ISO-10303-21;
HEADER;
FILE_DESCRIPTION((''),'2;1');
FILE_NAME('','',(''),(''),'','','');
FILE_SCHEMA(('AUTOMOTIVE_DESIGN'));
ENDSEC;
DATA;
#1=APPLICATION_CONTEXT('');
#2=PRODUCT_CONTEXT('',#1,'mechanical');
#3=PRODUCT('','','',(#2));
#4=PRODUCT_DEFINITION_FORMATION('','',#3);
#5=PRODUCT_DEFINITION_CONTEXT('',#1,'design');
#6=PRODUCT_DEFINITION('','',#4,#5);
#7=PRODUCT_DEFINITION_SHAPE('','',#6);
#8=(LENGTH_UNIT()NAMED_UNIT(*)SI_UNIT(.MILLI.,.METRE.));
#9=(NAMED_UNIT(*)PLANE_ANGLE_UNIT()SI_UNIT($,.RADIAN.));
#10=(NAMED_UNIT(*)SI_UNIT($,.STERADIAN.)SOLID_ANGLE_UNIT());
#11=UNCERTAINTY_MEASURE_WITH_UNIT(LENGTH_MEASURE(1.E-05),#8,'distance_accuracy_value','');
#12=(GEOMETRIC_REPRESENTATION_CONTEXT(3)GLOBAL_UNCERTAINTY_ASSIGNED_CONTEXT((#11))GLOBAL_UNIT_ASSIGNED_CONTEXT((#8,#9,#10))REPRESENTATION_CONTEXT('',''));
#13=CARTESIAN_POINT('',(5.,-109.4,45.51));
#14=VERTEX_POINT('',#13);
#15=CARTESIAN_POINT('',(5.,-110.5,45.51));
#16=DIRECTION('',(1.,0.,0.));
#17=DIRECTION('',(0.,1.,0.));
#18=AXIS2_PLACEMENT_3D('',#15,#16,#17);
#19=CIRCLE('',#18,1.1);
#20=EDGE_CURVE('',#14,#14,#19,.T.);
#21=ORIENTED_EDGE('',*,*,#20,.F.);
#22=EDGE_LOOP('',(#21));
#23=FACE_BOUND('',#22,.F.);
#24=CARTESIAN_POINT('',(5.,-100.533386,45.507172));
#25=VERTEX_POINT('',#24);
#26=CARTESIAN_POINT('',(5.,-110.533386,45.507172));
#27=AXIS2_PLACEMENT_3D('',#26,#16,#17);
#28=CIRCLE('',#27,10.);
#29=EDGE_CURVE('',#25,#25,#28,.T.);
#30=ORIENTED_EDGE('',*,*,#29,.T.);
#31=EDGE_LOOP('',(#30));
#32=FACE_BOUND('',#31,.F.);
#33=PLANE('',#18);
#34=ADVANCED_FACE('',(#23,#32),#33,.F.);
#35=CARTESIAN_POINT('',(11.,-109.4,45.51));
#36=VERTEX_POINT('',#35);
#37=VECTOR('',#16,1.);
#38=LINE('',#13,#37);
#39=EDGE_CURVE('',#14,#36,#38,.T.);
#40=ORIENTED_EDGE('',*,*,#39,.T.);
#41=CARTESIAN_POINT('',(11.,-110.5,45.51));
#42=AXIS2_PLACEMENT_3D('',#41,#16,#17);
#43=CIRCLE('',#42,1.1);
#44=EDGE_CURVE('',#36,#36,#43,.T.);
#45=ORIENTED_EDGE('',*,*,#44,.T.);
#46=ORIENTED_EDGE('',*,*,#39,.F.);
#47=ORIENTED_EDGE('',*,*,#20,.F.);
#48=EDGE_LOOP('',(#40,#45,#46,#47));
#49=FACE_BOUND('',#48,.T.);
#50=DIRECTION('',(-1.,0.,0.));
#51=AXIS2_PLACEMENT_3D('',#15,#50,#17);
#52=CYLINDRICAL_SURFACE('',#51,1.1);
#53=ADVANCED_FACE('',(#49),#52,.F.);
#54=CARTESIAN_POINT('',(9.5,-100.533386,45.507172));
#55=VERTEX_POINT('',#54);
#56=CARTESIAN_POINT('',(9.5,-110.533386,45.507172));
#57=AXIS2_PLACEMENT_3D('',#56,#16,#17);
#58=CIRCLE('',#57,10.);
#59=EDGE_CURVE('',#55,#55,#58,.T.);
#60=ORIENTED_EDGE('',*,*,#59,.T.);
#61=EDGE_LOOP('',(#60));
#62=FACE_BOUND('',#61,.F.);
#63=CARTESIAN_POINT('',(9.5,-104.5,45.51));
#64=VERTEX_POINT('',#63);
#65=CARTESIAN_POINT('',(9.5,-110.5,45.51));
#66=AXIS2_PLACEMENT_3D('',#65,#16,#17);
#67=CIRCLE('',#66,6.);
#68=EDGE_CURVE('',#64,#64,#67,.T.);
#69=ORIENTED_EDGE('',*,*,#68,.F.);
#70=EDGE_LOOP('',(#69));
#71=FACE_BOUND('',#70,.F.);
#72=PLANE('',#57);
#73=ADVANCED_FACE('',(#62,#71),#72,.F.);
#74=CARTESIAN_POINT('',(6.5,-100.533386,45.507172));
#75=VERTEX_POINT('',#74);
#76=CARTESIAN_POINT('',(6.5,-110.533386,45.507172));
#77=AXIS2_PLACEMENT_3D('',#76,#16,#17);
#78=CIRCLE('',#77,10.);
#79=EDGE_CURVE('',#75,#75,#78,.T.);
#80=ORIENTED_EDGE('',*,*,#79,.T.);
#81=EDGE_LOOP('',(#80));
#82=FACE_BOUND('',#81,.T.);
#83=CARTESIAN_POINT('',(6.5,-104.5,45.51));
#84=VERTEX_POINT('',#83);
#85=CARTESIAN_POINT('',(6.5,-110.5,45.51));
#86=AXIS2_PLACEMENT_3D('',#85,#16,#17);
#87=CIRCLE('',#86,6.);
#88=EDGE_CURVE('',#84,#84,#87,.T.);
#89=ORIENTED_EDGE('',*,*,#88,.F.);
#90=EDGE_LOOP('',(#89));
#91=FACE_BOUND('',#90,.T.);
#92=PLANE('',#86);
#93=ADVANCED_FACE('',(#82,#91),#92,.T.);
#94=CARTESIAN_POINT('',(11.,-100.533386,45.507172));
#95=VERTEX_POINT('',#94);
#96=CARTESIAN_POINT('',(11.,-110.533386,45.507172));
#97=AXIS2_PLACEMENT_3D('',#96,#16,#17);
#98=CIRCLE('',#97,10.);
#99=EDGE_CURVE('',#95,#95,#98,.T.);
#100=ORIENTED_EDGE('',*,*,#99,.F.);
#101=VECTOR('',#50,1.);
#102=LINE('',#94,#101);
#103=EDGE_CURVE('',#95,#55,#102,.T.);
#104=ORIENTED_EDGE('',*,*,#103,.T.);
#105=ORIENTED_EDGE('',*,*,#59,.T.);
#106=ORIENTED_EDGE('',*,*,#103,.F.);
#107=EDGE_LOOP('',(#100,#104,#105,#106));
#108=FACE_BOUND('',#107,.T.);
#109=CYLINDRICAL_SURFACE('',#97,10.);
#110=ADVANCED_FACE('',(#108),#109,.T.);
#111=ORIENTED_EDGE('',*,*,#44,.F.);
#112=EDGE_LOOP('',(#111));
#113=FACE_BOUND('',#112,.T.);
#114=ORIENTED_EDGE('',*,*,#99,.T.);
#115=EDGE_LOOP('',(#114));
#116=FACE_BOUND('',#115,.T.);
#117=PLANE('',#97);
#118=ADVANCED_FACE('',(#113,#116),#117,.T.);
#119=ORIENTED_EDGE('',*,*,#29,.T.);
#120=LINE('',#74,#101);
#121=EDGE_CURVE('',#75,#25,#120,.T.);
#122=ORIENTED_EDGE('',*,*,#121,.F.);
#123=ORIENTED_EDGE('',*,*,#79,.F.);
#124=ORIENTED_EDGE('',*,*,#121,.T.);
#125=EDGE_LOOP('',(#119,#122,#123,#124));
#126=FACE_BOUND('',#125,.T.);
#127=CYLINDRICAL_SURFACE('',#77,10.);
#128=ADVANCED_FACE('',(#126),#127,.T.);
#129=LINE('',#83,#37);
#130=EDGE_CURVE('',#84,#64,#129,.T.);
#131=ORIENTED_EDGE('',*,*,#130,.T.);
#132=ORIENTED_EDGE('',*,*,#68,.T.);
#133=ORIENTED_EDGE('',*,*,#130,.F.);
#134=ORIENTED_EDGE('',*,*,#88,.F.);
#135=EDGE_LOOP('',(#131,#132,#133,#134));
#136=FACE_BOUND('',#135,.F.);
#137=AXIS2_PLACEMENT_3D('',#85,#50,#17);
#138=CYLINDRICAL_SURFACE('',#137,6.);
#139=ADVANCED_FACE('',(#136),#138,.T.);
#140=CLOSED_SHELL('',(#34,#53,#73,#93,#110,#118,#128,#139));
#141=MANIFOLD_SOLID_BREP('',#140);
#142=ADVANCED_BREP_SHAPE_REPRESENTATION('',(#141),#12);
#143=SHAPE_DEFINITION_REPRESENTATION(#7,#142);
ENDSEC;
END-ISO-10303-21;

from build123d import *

# Parameters (mm, degrees)
SKETCH049_R      = 10
SKETCH049_R_2    = 7.25
EXTRUDE051_DEPTH = 1.5
EXTRUDE052_DEPTH = 1.5
SKETCH031_R      = 10
SKETCH031_R_2    = 6
EXTRUDE040_DEPTH = 3
SKETCH030_R      = 7.5
SKETCH030_R_2    = 1.1
EXTRUDE039_DEPTH = 6


with BuildPart() as band_reinforcement002:
    # Sketch049 (on Face9 of Fusion017) → Extrude051 (new body)
    with BuildSketch(Plane(origin=(11, 0, -0.5), x_dir=(0, 1, 0), z_dir=(1, 0, 0))):
        with Locations((-148.033386, 76.507172)):
            Circle(SKETCH049_R)
        with Locations((-148.033386, 76.507172)):
            Circle(SKETCH049_R_2, mode=Mode.SUBTRACT)
    extrude(amount=-EXTRUDE051_DEPTH)


with BuildPart() as band_reinforcement002_1:
    # Extrude051 placement: moved
    add(band_reinforcement002.part.moved(Location((0, 37.5, -30.5))))


with BuildPart() as bottom_reinforcement:
    # Sketch049 (on Face9 of Fusion017) → Extrude052 (new body)
    with BuildSketch(Plane(origin=(11, 0, -0.5), x_dir=(0, 1, 0), z_dir=(1, 0, 0))):
        with Locations((-148.033386, 76.507172)):
            Circle(SKETCH049_R)
        with Locations((-148.033386, 76.507172)):
            Circle(SKETCH049_R_2, mode=Mode.SUBTRACT)
    extrude(amount=-EXTRUDE052_DEPTH)


with BuildPart() as bottom_reinforcement_1:
    # Extrude052 placement: moved
    add(bottom_reinforcement.part.moved(Location((-4.5, 37.5, -30.5))))

    # Fusion024: union Band Reinforcement002
    add(band_reinforcement002_1.part)


with BuildPart() as extrude040:
    # Sketch031 → Extrude040 (new body)
    with BuildSketch(Plane.YZ.offset(6)):
        with Locations((-18.5, 45.51)):
            Circle(SKETCH031_R)
        with Locations((-18.5, 45.51)):
            Circle(SKETCH031_R_2, mode=Mode.SUBTRACT)
    extrude(amount=EXTRUDE040_DEPTH)


with BuildPart() as extrude040_1:
    # Extrude040 placement: moved
    add(extrude040.part.moved(Location((-4.5, 0, 0))))


with BuildPart() as motor_reinforced_gear:
    # Sketch030 → Extrude039 (new body)
    with BuildSketch(Plane.YZ):
        with Locations((-18.5, 45.51)):
            Circle(SKETCH030_R)
        with Locations((-18.5, 45.51)):
            Circle(SKETCH030_R_2, mode=Mode.SUBTRACT)
    extrude(amount=EXTRUDE039_DEPTH)

    # Cut011: cut Extrude040
    add(extrude040_1.part, mode=Mode.SUBTRACT)


with BuildPart() as motor_reinforced_gear_1:
    # Cut011 placement: moved
    add(motor_reinforced_gear.part.moved(Location((5, -92, 0))))

    # Fusion025: union Bottom Reinforcement
    add(bottom_reinforcement_1.part)


solid = motor_reinforced_gear_1.part
